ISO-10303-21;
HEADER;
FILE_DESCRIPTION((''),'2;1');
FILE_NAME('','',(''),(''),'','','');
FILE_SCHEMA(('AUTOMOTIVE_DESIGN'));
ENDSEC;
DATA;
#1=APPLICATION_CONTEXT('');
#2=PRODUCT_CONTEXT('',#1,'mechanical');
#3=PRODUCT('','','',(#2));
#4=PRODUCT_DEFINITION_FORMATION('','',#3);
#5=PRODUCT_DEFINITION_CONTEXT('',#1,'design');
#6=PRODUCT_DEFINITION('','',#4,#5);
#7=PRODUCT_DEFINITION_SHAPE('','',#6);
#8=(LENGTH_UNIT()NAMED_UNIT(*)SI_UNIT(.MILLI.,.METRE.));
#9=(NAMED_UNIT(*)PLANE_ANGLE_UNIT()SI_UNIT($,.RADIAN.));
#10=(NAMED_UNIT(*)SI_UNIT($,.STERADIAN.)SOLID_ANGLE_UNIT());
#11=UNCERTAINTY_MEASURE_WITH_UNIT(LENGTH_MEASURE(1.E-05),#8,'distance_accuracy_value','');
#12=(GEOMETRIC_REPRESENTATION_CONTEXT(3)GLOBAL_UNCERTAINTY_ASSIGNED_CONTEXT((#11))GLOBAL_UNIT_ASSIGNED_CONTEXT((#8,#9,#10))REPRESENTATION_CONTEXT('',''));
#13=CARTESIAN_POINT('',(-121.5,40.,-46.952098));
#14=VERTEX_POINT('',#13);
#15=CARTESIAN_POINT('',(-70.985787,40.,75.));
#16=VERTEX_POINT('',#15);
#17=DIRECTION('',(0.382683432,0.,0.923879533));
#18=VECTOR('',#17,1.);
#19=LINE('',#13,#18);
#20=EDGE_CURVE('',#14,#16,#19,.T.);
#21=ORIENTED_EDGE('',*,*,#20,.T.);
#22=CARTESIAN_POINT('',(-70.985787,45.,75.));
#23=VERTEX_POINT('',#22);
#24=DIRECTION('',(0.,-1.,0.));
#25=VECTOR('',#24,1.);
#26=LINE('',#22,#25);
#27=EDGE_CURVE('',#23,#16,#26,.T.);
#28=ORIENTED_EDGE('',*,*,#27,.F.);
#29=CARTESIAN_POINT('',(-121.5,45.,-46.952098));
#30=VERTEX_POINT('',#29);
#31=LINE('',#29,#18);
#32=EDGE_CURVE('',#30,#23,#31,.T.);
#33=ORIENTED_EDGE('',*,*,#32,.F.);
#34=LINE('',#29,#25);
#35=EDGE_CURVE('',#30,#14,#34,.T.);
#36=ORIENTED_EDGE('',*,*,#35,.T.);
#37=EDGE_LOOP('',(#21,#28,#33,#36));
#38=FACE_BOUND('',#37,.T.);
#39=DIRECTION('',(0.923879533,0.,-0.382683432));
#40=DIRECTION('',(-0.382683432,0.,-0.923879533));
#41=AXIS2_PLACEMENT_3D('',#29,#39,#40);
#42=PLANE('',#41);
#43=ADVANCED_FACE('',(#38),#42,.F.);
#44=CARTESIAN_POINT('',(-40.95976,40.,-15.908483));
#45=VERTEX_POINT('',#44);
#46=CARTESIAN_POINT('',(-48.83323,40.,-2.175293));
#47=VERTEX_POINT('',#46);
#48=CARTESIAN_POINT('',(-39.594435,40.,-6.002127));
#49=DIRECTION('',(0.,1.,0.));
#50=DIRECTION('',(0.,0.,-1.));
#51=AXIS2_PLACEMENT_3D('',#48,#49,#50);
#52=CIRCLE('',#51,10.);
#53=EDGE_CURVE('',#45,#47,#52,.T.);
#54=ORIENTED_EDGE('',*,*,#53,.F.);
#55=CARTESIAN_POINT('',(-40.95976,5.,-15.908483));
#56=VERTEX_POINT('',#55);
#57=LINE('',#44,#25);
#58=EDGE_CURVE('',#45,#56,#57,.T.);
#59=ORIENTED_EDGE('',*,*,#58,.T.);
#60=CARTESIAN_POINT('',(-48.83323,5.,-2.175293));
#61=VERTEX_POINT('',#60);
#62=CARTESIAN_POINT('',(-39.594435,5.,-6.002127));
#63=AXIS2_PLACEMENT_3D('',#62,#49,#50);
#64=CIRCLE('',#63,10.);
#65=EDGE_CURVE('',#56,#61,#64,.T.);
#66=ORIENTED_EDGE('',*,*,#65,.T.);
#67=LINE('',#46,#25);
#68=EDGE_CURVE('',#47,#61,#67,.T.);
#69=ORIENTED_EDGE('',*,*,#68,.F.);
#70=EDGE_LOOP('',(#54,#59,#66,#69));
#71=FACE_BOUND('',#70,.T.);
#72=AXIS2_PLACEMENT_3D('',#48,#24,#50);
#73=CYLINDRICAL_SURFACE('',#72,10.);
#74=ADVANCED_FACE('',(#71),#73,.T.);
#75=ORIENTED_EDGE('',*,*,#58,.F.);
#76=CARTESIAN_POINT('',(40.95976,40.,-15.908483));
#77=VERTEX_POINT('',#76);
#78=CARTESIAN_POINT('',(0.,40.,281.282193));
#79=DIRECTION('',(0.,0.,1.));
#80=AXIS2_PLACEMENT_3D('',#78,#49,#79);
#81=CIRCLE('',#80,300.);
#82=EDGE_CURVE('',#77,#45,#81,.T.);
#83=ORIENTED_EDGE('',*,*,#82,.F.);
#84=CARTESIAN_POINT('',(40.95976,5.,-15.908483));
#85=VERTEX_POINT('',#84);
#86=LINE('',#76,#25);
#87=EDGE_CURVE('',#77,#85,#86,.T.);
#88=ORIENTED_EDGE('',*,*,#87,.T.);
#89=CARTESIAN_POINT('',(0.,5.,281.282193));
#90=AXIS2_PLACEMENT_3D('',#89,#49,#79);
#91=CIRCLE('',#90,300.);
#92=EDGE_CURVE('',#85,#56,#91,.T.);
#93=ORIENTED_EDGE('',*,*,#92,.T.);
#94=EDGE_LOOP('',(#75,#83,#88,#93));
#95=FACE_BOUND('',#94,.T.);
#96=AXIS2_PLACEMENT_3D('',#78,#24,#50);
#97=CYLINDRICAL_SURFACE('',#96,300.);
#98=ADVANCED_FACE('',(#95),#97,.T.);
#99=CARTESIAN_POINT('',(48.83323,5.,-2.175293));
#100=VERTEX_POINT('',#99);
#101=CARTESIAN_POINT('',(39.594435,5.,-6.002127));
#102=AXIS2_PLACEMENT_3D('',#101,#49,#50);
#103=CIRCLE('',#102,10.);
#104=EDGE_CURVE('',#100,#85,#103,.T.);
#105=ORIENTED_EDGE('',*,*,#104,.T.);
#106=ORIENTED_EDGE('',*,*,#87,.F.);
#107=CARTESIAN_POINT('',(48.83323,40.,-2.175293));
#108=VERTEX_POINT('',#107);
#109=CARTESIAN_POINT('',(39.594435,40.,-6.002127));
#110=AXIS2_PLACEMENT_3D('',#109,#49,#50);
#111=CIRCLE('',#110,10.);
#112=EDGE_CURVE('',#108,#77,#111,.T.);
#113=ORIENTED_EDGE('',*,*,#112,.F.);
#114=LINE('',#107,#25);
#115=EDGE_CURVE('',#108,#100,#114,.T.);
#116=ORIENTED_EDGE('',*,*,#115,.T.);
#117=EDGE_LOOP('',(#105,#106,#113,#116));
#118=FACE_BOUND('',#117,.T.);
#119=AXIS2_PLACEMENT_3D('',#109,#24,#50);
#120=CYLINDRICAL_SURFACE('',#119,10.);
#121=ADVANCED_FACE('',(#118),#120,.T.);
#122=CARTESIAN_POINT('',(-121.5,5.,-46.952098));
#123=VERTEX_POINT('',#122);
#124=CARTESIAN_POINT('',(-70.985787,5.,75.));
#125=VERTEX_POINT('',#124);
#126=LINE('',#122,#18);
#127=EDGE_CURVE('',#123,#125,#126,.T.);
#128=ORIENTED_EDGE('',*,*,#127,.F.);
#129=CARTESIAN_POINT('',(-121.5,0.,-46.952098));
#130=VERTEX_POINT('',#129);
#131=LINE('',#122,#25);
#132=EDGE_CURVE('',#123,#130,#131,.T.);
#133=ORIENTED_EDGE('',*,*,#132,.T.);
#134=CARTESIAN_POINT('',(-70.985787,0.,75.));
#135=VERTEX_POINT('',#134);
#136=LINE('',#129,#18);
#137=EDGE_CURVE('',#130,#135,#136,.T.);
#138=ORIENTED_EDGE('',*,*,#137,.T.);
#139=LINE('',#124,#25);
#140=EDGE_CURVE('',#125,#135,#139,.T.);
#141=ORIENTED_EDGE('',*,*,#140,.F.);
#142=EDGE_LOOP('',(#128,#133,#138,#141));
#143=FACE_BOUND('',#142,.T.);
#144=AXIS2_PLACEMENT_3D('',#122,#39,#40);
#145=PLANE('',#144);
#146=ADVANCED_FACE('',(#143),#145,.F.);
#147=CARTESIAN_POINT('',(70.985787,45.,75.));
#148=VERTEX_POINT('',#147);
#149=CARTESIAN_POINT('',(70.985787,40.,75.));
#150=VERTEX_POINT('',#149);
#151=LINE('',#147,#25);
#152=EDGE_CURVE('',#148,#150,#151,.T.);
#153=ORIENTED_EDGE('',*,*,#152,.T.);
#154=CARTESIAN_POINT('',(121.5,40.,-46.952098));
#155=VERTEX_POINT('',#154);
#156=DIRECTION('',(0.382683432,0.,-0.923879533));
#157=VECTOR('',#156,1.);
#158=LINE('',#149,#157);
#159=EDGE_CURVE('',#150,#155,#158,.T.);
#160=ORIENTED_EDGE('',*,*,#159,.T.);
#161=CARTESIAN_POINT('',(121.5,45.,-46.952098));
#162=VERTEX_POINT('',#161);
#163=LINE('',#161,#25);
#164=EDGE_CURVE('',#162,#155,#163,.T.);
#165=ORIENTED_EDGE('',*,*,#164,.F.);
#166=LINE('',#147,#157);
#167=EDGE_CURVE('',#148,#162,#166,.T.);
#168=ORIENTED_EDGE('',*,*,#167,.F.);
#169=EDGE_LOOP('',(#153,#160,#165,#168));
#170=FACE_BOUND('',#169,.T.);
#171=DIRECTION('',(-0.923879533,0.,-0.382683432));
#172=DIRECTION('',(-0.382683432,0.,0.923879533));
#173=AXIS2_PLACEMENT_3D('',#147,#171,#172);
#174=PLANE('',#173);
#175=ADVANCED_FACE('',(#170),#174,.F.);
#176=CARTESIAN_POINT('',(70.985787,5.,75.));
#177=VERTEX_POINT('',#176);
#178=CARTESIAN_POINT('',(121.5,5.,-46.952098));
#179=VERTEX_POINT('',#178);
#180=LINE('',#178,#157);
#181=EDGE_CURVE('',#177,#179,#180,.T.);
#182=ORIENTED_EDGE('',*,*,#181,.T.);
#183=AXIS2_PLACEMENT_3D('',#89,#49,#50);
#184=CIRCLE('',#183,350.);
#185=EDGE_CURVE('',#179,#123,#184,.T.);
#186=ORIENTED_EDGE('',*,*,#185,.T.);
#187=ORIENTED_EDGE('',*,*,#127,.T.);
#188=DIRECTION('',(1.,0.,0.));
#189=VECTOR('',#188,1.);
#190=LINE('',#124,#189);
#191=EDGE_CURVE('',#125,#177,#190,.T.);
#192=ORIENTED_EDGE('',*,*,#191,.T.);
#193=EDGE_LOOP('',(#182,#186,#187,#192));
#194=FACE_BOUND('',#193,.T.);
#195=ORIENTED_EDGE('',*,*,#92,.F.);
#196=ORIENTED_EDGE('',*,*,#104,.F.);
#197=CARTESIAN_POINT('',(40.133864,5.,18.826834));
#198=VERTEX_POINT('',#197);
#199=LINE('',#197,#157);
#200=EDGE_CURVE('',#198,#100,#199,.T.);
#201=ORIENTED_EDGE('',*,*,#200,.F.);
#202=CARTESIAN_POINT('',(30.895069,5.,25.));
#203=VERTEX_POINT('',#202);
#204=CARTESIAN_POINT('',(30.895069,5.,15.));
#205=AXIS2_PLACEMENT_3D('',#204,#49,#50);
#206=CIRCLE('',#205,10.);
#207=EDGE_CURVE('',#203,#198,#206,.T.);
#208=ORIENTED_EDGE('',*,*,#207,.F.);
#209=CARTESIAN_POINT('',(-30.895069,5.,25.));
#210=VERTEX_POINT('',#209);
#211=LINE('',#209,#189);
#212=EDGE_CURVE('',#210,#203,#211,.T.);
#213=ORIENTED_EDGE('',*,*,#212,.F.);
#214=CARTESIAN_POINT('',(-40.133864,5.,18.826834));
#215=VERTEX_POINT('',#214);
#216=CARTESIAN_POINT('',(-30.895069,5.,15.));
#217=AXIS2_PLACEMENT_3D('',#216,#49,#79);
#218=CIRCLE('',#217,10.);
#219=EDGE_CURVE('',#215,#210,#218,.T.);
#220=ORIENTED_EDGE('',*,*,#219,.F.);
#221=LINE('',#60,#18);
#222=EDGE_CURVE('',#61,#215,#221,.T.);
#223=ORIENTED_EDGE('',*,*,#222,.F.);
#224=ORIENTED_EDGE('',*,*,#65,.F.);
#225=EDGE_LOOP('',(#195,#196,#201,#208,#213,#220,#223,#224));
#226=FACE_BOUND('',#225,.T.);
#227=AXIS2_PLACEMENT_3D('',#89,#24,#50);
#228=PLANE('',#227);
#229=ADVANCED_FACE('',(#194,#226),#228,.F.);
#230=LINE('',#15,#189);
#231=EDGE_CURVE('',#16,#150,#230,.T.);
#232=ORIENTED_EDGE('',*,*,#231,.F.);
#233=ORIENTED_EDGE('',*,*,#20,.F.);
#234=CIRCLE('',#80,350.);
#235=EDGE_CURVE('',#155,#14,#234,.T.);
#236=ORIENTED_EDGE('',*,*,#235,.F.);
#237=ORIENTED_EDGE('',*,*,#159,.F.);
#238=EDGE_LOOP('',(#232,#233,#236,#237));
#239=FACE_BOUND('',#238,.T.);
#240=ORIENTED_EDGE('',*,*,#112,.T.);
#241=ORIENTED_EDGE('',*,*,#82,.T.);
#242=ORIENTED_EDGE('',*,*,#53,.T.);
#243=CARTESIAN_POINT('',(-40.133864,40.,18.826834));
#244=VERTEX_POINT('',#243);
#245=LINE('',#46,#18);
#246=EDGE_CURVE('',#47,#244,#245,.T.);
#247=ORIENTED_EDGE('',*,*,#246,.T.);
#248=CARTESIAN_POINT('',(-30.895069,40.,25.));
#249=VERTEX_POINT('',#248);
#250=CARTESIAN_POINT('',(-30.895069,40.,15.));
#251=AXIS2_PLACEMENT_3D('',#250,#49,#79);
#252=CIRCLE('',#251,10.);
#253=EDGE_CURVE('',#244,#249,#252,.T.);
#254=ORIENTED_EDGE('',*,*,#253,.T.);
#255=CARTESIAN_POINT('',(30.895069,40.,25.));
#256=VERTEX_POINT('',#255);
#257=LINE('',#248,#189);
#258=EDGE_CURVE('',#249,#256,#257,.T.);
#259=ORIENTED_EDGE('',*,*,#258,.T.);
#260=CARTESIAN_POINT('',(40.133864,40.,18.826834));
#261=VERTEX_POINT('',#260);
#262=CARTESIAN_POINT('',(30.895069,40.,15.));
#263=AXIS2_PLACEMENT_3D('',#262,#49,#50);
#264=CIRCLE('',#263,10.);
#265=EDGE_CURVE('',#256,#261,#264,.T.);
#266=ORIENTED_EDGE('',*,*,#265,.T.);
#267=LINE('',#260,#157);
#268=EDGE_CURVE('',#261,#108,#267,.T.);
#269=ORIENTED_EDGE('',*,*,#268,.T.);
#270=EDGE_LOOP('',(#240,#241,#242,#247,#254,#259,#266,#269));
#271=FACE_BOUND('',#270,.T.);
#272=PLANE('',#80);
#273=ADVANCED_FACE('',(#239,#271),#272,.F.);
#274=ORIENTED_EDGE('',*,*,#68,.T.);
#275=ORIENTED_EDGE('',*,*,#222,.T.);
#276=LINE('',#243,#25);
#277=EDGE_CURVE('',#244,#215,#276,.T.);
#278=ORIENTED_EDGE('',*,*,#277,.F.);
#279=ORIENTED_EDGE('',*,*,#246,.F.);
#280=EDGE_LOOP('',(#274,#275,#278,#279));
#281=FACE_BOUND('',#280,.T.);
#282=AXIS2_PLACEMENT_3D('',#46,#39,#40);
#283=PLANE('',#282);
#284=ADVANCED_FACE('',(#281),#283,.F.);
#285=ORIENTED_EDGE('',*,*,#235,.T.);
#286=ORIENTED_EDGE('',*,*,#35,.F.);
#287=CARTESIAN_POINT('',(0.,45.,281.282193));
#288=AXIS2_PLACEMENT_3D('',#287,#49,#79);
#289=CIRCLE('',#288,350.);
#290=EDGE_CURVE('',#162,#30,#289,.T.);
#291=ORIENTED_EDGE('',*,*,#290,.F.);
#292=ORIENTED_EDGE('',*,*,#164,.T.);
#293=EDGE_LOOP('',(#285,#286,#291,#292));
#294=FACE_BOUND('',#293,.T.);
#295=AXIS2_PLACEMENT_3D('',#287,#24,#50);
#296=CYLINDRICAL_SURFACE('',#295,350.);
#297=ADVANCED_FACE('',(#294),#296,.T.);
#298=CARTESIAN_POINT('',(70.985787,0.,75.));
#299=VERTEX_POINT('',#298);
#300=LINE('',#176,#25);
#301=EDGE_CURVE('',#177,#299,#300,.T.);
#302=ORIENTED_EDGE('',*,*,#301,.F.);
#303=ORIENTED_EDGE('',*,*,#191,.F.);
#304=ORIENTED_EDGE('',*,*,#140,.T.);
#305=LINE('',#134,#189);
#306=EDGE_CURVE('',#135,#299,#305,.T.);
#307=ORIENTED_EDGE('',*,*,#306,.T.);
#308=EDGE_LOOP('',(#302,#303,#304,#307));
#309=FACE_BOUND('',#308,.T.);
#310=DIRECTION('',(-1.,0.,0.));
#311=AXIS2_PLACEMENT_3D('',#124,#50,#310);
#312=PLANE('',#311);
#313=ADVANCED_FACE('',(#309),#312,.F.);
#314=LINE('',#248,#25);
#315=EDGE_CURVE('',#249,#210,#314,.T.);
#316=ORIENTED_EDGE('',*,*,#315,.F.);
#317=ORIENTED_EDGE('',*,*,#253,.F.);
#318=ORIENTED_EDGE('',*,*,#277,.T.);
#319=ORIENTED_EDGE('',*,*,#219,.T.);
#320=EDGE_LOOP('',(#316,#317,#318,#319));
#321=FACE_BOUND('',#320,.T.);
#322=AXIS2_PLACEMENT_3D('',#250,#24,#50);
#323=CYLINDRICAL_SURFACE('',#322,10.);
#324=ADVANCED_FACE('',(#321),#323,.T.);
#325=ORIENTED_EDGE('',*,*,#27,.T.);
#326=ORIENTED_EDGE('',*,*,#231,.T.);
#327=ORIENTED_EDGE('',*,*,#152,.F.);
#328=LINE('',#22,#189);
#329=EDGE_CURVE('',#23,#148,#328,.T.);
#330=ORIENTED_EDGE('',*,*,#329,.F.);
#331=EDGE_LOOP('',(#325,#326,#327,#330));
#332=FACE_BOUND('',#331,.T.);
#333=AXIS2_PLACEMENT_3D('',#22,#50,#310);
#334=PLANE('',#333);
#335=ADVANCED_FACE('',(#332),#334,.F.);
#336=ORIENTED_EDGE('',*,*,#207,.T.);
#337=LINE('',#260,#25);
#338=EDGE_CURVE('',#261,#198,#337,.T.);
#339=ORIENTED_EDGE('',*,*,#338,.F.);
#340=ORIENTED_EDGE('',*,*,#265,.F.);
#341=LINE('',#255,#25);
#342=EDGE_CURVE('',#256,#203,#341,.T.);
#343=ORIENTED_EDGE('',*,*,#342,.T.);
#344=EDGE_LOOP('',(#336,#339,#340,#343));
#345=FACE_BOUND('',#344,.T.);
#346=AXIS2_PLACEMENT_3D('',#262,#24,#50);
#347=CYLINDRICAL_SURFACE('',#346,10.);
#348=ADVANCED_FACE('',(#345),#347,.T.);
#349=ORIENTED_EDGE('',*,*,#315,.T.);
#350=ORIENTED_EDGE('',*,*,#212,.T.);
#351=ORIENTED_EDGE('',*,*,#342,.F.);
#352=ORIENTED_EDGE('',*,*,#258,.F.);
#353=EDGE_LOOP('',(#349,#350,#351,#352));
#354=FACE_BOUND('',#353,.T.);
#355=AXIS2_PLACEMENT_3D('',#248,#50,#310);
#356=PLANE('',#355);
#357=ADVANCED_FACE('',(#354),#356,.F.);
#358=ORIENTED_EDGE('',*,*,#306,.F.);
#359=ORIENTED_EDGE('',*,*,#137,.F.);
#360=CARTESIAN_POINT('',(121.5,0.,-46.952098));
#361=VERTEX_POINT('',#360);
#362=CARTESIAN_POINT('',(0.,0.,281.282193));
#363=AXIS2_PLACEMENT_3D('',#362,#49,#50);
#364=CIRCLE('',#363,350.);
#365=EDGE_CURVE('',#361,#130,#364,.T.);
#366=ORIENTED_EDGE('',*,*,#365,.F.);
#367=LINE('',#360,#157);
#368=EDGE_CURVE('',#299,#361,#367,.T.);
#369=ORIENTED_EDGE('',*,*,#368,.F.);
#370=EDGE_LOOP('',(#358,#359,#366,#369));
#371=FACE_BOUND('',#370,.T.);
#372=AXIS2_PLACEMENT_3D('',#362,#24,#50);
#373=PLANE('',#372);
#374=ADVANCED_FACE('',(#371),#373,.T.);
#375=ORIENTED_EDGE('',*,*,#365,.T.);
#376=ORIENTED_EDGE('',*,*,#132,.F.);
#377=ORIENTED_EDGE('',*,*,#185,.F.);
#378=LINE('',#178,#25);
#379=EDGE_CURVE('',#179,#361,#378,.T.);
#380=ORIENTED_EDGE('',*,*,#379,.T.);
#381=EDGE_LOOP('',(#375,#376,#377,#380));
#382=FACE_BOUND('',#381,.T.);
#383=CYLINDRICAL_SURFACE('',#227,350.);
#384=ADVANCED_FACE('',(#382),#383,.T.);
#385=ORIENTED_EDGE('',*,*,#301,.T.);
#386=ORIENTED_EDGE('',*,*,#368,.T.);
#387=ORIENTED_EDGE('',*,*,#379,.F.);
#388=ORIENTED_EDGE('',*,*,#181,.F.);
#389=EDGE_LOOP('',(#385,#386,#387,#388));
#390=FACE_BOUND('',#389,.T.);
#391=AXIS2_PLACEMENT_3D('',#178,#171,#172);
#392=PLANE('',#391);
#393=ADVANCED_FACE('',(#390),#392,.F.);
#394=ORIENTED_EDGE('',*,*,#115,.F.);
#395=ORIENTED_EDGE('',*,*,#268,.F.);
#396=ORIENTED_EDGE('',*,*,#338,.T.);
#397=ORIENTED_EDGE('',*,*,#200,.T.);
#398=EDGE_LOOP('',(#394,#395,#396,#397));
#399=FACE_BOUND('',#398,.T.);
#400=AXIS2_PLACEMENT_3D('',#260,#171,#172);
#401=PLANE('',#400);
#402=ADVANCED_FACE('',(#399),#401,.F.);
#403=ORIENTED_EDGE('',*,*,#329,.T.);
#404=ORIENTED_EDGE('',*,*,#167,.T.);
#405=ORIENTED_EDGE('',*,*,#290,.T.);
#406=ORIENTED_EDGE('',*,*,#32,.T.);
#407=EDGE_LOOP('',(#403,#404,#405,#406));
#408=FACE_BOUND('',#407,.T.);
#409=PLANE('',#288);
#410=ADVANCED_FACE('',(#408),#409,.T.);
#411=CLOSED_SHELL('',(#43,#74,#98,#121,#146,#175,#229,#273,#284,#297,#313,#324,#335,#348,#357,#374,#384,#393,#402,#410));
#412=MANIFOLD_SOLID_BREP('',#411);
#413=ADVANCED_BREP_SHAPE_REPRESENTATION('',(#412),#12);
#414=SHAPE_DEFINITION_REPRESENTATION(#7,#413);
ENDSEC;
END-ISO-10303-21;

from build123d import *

# Parameters (mm, degrees)
BOSS_EXTRUDE1_DEPTH = 5
BOSS_EXTRUDE2_DEPTH = 35
BOSS_EXTRUDE3_DEPTH = 5


with BuildPart() as part:
    # Sketch1 → Boss-Extrude1 (new body)
    with BuildSketch(Plane(origin=(0, 0, 0), x_dir=(1, 0, 0), z_dir=(0, 1, 0))):
        with BuildLine():
            Line((-121.5, 46.952098291), (-70.985786928, -75))
            Line((-70.985786928, -75), (70.985786928, -75))
            Line((70.985786928, -75), (121.5, 46.952098291))
            ThreePointArc((121.5, 46.952098291), (0, 68.717806969), (-121.5, 46.952098291))
        make_face()
    extrude(amount=BOSS_EXTRUDE1_DEPTH)

    # Sketch2 → Boss-Extrude2 (add)
    with BuildSketch(Plane(origin=(0, 5, 0), x_dir=(1, 0, 0), z_dir=(0, 1, 0))):
        with BuildLine():
            Line((-48.833229971, 2.175293041), (-40.133863978, -18.826834324))
            ThreePointArc((-40.133863978, -18.826834324), (-36.450770983, -23.314696123), (-30.895068653, -25))
            Line((-30.895068653, -25), (30.895068653, -25))
            ThreePointArc((30.895068653, -25), (36.450770983, -23.314696123), (40.133863978, -18.826834324))
            Line((40.133863978, -18.826834324), (48.833229971, 2.175293041))
            ThreePointArc((48.833229971, 2.175293041), (48.269800459, 10.975861174), (40.959759978, 15.90848324))
            ThreePointArc((40.959759978, 15.90848324), (0, 18.717806969), (-40.959759978, 15.90848324))
            ThreePointArc((-40.959759978, 15.90848324), (-48.269800459, 10.975861174), (-48.833229971, 2.175293041))
        make_face()
    extrude(amount=BOSS_EXTRUDE2_DEPTH)

    # Sketch3 → Boss-Extrude3 (add)
    with BuildSketch(Plane(origin=(0, 40, 0), x_dir=(1, 0, 0), z_dir=(0, 1, 0))):
        with BuildLine():
            Line((-121.5, 46.952098291), (-70.985786928, -75))
            Line((-70.985786928, -75), (70.985786928, -75))
            Line((70.985786928, -75), (121.5, 46.952098291))
            ThreePointArc((121.5, 46.952098291), (0, 68.717806969), (-121.5, 46.952098291))
        make_face()
    extrude(amount=BOSS_EXTRUDE3_DEPTH)


solid = part.part
